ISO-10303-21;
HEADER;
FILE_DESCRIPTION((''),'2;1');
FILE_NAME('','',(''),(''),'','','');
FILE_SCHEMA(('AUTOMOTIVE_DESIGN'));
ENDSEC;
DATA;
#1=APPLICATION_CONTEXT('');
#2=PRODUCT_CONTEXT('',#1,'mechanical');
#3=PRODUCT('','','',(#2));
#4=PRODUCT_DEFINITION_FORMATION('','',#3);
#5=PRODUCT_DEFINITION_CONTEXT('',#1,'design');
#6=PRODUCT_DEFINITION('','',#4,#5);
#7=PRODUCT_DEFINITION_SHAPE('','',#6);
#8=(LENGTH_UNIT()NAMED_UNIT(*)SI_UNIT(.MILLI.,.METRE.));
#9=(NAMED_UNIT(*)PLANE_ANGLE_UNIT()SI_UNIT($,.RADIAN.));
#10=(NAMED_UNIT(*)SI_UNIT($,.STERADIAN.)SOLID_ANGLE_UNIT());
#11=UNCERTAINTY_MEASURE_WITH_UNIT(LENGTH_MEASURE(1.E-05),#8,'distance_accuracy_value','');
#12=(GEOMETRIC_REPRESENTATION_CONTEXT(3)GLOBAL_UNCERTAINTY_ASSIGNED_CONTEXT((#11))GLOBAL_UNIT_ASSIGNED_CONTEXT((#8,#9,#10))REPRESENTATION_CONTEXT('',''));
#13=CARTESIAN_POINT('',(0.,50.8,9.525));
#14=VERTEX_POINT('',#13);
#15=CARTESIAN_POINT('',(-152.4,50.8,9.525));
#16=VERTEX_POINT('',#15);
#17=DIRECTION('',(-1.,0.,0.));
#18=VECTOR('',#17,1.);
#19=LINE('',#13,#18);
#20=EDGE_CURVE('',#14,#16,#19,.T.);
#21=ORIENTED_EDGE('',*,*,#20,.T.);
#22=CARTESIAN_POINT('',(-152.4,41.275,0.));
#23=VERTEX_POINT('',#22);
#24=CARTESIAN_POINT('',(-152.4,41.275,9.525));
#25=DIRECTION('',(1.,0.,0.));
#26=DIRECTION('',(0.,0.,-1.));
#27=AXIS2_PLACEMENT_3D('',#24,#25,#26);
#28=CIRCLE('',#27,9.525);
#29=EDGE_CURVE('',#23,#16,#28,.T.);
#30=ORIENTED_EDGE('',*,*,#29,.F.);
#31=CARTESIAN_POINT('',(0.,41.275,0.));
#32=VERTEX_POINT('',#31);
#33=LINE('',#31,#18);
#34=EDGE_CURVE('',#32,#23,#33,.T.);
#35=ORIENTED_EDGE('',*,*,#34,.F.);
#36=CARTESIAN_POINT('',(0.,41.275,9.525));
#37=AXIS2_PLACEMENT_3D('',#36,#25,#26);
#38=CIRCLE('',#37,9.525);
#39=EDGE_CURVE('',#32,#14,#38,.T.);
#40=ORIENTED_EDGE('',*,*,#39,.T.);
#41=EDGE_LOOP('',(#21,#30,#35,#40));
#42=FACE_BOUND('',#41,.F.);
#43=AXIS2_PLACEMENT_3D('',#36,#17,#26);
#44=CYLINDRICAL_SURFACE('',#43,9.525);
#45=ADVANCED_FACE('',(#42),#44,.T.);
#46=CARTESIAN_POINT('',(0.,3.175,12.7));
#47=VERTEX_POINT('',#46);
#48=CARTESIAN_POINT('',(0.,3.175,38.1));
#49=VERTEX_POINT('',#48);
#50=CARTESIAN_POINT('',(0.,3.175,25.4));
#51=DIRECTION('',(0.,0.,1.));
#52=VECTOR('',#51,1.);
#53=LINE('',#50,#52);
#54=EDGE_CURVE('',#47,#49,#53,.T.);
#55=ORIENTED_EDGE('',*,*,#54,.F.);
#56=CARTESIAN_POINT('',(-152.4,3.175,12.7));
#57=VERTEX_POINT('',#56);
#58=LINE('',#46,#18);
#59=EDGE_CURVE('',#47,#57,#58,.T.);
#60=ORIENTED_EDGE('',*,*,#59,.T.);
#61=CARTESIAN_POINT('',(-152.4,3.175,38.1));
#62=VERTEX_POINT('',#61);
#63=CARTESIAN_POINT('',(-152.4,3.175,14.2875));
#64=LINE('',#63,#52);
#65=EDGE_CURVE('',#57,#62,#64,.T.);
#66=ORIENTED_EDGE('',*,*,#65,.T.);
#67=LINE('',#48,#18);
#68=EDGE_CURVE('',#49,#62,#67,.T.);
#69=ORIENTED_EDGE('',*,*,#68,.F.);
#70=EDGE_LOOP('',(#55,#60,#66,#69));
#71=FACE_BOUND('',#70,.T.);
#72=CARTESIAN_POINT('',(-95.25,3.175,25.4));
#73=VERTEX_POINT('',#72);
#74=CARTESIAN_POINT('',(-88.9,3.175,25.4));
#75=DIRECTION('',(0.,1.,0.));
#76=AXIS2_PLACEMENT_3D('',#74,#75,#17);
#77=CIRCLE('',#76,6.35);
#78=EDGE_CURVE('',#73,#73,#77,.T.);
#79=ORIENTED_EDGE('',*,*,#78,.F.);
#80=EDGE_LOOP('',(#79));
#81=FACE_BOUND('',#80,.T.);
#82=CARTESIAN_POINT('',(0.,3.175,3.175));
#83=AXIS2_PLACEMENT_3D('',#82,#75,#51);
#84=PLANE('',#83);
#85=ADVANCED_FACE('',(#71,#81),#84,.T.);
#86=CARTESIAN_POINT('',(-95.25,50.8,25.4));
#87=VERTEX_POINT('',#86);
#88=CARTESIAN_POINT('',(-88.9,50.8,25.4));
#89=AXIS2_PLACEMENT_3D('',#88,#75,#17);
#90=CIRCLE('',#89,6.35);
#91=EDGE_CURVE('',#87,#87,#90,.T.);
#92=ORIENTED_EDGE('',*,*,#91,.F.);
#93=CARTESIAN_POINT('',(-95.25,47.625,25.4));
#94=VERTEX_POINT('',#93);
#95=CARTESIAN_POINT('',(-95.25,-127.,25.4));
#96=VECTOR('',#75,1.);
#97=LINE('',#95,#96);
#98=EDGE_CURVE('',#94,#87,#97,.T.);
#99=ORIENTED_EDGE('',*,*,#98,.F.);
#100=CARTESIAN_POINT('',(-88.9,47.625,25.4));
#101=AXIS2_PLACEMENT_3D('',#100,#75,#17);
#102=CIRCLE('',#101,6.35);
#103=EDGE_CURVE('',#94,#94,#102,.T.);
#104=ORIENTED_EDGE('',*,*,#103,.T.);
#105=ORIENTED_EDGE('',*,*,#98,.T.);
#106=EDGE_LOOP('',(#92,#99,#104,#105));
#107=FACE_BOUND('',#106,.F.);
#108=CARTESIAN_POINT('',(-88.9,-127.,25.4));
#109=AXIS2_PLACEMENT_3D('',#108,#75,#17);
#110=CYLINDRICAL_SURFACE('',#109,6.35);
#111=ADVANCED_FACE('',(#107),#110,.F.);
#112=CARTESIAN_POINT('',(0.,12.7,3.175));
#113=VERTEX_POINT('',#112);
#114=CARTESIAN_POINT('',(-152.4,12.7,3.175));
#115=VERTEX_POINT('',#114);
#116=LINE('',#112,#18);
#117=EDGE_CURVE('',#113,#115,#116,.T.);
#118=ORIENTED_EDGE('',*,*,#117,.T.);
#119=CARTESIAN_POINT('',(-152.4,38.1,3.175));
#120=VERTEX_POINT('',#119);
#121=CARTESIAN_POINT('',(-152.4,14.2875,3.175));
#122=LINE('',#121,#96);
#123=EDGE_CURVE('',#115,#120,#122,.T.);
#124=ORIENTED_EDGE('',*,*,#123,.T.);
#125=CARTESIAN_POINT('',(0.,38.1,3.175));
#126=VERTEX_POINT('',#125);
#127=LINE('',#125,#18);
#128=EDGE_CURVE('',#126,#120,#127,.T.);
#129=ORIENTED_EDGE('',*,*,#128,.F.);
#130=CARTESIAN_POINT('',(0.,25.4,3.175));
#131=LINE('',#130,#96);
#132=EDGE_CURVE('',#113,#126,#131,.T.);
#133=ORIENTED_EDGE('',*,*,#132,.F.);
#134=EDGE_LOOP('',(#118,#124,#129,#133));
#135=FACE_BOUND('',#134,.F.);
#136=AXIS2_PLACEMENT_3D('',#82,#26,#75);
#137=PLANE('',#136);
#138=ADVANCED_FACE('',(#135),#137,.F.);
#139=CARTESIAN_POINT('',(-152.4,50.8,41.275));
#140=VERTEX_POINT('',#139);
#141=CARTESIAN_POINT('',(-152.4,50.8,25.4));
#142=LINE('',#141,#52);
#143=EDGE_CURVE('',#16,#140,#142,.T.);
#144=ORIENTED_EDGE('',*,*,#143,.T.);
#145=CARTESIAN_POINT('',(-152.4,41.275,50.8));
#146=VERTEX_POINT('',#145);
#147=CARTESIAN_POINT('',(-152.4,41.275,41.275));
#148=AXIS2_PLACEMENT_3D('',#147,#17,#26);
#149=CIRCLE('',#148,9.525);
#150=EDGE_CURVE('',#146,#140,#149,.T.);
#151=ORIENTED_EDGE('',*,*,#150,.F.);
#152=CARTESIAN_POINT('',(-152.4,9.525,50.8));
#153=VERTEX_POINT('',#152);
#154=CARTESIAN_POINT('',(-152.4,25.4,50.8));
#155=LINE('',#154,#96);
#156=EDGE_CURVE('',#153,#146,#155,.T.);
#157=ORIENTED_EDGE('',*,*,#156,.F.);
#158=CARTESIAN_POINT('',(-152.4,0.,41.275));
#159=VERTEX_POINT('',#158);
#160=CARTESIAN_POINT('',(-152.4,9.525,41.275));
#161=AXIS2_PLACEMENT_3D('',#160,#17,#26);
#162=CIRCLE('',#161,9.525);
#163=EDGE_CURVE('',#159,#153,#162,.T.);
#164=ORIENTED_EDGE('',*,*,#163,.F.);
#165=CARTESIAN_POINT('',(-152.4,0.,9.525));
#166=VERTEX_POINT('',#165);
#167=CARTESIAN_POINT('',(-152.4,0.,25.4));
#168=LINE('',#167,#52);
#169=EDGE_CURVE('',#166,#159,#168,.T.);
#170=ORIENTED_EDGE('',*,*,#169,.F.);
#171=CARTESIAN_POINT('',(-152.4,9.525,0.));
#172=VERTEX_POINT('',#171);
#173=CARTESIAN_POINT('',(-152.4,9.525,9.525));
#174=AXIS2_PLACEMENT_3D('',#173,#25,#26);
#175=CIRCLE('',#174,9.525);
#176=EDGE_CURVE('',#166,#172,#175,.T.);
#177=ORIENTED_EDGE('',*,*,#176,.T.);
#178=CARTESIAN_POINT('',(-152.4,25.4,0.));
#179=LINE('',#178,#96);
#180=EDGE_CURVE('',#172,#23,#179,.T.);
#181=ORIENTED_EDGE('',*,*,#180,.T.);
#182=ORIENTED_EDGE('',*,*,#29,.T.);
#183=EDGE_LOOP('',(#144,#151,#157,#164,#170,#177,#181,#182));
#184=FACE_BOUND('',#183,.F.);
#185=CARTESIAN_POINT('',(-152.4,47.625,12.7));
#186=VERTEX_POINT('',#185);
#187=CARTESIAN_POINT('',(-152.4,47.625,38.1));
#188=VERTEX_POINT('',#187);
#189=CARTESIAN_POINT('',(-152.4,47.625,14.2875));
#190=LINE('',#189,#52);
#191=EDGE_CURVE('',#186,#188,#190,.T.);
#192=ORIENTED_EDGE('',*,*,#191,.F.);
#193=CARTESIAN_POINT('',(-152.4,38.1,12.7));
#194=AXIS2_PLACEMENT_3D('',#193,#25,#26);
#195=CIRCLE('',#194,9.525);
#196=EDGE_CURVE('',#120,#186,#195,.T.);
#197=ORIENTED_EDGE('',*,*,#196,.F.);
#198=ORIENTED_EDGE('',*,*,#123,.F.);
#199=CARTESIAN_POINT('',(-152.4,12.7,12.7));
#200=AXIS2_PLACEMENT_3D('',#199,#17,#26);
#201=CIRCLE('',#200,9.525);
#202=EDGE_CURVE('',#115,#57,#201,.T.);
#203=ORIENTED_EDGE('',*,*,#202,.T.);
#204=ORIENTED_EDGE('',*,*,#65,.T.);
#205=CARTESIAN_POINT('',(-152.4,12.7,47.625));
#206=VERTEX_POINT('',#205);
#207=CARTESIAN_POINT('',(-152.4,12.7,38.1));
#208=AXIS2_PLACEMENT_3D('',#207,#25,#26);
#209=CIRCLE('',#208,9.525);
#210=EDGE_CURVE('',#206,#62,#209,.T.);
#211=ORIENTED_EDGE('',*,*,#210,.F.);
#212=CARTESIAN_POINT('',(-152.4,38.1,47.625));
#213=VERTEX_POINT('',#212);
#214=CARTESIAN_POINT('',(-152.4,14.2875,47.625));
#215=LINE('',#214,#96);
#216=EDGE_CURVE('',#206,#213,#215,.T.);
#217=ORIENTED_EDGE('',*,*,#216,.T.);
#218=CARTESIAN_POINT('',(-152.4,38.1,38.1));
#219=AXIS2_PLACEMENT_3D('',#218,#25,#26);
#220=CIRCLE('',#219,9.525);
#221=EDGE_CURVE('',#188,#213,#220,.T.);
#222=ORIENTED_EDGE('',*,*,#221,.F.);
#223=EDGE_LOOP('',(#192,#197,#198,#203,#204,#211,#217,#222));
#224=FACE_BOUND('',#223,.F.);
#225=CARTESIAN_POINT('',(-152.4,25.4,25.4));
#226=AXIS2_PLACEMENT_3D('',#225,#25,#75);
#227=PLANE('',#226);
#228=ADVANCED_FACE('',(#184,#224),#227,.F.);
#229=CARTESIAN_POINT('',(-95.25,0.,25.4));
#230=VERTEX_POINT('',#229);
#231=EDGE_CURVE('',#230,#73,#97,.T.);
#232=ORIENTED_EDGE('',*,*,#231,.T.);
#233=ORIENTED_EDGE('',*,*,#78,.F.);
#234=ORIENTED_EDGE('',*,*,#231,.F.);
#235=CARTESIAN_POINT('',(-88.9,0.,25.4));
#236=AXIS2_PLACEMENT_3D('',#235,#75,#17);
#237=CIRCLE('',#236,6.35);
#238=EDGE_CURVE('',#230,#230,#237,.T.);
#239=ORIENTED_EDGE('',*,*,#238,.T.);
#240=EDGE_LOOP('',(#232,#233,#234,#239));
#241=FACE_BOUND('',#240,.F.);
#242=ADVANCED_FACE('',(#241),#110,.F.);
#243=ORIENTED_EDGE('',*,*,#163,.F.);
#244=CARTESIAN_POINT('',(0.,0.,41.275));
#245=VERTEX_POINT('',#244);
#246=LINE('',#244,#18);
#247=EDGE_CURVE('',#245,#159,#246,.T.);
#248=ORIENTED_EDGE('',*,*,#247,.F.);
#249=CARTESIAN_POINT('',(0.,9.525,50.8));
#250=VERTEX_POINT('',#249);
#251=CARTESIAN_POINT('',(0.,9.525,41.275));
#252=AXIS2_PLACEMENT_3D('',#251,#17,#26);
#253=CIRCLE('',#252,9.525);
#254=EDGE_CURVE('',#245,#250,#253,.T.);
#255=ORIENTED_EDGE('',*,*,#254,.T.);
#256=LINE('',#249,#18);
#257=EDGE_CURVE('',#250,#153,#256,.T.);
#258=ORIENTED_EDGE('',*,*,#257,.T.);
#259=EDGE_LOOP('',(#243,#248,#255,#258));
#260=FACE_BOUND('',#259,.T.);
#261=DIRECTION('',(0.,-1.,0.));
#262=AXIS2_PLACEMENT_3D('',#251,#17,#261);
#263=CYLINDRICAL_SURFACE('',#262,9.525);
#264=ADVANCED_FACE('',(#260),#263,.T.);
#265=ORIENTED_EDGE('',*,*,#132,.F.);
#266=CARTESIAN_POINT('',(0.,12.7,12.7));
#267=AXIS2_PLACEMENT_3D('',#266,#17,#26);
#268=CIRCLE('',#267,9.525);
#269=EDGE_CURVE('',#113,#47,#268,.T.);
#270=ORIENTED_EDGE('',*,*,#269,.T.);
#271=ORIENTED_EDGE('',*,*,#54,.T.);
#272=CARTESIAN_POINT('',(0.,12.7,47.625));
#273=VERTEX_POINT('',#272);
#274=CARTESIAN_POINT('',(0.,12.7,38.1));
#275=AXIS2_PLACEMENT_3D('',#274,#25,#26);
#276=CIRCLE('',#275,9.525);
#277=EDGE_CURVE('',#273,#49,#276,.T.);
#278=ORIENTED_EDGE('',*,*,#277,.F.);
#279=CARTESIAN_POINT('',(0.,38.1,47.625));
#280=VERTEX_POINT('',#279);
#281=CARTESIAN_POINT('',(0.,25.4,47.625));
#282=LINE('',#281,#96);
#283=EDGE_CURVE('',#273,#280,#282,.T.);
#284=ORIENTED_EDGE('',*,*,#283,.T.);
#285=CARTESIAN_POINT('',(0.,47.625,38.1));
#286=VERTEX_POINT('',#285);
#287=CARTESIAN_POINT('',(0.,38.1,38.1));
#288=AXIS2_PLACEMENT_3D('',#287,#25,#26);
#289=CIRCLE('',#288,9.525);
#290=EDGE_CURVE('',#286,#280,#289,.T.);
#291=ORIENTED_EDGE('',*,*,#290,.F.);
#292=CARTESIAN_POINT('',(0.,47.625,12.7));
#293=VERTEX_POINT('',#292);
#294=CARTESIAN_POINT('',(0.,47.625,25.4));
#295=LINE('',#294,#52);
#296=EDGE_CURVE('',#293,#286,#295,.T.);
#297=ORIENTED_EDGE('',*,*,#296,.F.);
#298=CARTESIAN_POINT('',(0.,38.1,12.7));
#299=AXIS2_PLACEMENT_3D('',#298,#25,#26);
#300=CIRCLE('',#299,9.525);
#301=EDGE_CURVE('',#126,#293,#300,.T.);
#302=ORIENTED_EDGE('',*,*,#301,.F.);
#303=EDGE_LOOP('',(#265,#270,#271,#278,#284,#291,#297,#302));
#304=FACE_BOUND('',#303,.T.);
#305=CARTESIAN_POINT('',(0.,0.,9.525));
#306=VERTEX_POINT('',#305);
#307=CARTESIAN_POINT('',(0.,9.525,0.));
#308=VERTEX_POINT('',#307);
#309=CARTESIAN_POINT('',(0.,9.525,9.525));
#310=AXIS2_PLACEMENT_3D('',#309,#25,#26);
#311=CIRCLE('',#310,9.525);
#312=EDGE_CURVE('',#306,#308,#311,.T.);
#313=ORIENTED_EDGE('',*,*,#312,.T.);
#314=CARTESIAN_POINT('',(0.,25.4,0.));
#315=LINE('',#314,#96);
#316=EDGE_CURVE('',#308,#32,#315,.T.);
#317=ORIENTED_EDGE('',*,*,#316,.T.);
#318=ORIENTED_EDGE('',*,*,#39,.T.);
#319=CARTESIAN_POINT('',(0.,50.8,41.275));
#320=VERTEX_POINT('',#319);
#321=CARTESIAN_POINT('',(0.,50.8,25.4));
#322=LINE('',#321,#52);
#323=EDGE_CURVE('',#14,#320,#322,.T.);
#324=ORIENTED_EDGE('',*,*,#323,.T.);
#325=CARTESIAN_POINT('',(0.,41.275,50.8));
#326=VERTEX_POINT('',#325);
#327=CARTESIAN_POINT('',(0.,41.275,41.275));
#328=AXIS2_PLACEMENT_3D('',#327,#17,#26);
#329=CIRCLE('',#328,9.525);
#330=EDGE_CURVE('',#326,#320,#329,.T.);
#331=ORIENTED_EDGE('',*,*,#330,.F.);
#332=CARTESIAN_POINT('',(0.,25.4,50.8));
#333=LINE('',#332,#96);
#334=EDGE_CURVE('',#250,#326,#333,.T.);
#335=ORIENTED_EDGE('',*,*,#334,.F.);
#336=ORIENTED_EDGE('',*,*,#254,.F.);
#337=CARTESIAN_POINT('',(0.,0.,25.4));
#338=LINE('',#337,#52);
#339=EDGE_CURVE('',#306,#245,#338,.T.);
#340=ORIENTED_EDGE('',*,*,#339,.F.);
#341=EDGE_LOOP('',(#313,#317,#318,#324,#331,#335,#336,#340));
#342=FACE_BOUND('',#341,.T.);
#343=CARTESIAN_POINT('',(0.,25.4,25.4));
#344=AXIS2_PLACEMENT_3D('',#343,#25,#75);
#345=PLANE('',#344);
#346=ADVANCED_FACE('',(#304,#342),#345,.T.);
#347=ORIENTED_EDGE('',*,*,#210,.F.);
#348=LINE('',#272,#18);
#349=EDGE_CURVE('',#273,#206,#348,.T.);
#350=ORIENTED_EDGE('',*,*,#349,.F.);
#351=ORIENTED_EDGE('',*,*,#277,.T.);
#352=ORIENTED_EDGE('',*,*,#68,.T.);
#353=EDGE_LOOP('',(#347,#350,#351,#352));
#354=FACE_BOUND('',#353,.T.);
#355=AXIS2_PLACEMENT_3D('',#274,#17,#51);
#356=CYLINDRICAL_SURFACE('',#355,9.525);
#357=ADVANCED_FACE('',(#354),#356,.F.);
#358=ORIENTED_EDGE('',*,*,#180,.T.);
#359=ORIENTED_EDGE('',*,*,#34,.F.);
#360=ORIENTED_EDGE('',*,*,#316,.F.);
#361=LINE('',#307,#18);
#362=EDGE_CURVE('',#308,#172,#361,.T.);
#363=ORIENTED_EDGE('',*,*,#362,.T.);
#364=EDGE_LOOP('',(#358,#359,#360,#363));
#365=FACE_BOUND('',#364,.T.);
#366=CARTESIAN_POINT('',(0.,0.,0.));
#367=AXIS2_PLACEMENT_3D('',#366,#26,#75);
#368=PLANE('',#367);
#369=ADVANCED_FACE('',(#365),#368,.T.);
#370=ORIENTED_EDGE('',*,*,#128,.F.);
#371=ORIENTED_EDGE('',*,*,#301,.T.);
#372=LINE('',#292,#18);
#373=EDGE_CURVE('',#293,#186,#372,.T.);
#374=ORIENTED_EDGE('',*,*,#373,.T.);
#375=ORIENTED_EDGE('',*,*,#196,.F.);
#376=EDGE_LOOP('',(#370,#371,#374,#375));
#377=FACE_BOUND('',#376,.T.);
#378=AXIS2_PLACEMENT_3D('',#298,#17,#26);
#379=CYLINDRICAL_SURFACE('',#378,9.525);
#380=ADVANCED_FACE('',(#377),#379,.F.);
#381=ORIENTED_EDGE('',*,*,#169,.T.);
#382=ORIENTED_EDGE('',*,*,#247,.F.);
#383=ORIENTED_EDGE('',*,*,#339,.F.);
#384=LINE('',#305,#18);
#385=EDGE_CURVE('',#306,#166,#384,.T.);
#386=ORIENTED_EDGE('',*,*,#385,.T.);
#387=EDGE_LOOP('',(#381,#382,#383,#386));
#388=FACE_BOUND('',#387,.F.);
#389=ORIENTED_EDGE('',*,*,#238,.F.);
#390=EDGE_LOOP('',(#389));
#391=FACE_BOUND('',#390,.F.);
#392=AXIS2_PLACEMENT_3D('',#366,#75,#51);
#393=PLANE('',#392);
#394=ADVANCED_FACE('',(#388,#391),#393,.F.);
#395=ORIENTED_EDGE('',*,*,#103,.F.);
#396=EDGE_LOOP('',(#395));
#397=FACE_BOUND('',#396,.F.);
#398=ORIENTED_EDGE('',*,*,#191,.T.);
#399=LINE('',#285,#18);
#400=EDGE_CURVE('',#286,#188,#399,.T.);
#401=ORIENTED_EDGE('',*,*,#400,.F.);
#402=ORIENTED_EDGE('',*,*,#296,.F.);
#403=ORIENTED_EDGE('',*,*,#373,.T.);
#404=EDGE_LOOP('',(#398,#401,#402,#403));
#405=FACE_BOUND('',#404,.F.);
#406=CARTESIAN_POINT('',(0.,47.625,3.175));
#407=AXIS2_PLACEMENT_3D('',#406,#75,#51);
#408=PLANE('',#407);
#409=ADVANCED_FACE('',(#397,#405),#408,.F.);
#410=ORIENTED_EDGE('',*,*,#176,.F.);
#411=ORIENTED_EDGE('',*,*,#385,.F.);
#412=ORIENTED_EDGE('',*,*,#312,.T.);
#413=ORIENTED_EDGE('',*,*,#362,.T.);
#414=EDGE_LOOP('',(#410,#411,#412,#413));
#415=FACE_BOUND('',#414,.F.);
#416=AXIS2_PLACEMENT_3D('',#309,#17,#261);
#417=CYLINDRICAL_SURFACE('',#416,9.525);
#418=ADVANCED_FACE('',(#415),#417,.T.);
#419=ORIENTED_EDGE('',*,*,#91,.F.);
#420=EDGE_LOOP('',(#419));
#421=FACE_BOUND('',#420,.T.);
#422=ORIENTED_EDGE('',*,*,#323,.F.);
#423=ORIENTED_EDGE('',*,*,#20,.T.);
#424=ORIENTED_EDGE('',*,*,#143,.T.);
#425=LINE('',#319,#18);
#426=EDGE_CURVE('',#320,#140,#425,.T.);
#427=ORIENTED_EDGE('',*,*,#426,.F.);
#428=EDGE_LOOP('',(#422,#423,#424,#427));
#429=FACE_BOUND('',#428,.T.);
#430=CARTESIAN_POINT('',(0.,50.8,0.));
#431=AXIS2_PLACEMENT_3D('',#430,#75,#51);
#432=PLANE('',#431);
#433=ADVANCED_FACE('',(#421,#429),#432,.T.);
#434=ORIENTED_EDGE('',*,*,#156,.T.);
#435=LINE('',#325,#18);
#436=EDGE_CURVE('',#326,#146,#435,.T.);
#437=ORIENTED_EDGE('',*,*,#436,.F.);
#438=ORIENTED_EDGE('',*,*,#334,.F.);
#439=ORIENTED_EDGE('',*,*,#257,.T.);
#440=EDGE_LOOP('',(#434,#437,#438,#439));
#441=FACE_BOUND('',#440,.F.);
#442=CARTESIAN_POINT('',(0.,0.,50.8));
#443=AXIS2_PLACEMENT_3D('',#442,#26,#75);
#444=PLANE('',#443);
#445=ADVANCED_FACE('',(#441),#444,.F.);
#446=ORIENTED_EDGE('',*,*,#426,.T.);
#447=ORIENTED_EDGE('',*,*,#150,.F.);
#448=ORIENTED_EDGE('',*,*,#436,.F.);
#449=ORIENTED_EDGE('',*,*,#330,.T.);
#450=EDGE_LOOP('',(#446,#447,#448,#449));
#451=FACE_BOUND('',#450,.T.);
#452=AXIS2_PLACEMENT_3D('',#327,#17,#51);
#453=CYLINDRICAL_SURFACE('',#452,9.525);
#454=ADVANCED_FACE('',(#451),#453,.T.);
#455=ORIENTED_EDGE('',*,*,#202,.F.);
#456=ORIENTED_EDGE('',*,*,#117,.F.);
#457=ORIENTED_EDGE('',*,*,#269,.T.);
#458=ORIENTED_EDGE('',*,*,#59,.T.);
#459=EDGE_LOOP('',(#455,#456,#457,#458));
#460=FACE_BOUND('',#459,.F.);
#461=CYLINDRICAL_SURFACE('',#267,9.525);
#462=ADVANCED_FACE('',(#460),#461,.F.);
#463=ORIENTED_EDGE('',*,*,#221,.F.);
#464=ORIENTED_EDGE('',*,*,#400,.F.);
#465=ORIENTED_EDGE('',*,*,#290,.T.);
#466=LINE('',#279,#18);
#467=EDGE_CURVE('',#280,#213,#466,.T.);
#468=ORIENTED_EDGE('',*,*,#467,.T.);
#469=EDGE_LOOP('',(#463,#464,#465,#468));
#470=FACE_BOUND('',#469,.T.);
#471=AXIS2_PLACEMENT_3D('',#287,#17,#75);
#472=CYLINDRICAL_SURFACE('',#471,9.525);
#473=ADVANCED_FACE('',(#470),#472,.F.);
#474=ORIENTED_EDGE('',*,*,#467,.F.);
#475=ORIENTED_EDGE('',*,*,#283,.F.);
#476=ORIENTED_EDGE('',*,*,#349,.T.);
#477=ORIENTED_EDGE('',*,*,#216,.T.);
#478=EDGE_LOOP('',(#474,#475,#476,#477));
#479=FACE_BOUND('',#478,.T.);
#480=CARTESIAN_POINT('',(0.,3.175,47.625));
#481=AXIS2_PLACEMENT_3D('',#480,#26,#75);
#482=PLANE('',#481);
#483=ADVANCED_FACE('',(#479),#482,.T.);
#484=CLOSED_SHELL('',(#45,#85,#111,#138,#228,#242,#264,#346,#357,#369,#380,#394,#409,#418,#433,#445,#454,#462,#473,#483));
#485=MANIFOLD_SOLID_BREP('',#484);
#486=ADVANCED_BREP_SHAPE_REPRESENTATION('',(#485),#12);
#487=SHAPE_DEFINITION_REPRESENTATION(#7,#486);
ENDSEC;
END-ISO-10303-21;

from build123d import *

# Parameters (mm, degrees)
F0_W     = 50.8
F0_H     = 50.8
F1_DEPTH = 152.4
F2_W     = 44.45
F2_H     = 44.45
F3_DEPTH = 876.3
F4_R     = 9.525
F6_D     = 12.7
F6_DEPTH = 127


with BuildPart() as f1:
    # F0 (on Right) → F1 (new body)
    with BuildSketch(Plane.YZ):
        with Locations((25.4, 25.4)):
            Rectangle(F0_W, F0_H)
    extrude(amount=-F1_DEPTH)

    # F2 (on face) → F3 (cut)
    with BuildSketch(Plane.YZ):
        with Locations((25.4, 25.4)):
            Rectangle(F2_W, F2_H)
    extrude(amount=-F3_DEPTH, mode=Mode.SUBTRACT)

    # F4
    f4_edges = [f1.edges().sort_by_distance(p)[0] for p in [
        (-76.2, 3.175, 3.175),
        (-76.2, 47.625, 3.175),
        (-76.2, 47.625, 47.625),
        (-76.2, 3.175, 47.625),
        (-76.2, 50.8, 0),
        (-76.2, 50.8, 50.8),
        (-76.2, 0, 50.8),
        (-76.2, 0, 0),
    ]]
    fillet(f4_edges, radius=F4_R)

    # F6
    with Locations(Plane.XZ):
        with Locations((-88.9, 25.4)):
            Hole(F6_D / 2, depth=F6_DEPTH)


solid = f1.part
